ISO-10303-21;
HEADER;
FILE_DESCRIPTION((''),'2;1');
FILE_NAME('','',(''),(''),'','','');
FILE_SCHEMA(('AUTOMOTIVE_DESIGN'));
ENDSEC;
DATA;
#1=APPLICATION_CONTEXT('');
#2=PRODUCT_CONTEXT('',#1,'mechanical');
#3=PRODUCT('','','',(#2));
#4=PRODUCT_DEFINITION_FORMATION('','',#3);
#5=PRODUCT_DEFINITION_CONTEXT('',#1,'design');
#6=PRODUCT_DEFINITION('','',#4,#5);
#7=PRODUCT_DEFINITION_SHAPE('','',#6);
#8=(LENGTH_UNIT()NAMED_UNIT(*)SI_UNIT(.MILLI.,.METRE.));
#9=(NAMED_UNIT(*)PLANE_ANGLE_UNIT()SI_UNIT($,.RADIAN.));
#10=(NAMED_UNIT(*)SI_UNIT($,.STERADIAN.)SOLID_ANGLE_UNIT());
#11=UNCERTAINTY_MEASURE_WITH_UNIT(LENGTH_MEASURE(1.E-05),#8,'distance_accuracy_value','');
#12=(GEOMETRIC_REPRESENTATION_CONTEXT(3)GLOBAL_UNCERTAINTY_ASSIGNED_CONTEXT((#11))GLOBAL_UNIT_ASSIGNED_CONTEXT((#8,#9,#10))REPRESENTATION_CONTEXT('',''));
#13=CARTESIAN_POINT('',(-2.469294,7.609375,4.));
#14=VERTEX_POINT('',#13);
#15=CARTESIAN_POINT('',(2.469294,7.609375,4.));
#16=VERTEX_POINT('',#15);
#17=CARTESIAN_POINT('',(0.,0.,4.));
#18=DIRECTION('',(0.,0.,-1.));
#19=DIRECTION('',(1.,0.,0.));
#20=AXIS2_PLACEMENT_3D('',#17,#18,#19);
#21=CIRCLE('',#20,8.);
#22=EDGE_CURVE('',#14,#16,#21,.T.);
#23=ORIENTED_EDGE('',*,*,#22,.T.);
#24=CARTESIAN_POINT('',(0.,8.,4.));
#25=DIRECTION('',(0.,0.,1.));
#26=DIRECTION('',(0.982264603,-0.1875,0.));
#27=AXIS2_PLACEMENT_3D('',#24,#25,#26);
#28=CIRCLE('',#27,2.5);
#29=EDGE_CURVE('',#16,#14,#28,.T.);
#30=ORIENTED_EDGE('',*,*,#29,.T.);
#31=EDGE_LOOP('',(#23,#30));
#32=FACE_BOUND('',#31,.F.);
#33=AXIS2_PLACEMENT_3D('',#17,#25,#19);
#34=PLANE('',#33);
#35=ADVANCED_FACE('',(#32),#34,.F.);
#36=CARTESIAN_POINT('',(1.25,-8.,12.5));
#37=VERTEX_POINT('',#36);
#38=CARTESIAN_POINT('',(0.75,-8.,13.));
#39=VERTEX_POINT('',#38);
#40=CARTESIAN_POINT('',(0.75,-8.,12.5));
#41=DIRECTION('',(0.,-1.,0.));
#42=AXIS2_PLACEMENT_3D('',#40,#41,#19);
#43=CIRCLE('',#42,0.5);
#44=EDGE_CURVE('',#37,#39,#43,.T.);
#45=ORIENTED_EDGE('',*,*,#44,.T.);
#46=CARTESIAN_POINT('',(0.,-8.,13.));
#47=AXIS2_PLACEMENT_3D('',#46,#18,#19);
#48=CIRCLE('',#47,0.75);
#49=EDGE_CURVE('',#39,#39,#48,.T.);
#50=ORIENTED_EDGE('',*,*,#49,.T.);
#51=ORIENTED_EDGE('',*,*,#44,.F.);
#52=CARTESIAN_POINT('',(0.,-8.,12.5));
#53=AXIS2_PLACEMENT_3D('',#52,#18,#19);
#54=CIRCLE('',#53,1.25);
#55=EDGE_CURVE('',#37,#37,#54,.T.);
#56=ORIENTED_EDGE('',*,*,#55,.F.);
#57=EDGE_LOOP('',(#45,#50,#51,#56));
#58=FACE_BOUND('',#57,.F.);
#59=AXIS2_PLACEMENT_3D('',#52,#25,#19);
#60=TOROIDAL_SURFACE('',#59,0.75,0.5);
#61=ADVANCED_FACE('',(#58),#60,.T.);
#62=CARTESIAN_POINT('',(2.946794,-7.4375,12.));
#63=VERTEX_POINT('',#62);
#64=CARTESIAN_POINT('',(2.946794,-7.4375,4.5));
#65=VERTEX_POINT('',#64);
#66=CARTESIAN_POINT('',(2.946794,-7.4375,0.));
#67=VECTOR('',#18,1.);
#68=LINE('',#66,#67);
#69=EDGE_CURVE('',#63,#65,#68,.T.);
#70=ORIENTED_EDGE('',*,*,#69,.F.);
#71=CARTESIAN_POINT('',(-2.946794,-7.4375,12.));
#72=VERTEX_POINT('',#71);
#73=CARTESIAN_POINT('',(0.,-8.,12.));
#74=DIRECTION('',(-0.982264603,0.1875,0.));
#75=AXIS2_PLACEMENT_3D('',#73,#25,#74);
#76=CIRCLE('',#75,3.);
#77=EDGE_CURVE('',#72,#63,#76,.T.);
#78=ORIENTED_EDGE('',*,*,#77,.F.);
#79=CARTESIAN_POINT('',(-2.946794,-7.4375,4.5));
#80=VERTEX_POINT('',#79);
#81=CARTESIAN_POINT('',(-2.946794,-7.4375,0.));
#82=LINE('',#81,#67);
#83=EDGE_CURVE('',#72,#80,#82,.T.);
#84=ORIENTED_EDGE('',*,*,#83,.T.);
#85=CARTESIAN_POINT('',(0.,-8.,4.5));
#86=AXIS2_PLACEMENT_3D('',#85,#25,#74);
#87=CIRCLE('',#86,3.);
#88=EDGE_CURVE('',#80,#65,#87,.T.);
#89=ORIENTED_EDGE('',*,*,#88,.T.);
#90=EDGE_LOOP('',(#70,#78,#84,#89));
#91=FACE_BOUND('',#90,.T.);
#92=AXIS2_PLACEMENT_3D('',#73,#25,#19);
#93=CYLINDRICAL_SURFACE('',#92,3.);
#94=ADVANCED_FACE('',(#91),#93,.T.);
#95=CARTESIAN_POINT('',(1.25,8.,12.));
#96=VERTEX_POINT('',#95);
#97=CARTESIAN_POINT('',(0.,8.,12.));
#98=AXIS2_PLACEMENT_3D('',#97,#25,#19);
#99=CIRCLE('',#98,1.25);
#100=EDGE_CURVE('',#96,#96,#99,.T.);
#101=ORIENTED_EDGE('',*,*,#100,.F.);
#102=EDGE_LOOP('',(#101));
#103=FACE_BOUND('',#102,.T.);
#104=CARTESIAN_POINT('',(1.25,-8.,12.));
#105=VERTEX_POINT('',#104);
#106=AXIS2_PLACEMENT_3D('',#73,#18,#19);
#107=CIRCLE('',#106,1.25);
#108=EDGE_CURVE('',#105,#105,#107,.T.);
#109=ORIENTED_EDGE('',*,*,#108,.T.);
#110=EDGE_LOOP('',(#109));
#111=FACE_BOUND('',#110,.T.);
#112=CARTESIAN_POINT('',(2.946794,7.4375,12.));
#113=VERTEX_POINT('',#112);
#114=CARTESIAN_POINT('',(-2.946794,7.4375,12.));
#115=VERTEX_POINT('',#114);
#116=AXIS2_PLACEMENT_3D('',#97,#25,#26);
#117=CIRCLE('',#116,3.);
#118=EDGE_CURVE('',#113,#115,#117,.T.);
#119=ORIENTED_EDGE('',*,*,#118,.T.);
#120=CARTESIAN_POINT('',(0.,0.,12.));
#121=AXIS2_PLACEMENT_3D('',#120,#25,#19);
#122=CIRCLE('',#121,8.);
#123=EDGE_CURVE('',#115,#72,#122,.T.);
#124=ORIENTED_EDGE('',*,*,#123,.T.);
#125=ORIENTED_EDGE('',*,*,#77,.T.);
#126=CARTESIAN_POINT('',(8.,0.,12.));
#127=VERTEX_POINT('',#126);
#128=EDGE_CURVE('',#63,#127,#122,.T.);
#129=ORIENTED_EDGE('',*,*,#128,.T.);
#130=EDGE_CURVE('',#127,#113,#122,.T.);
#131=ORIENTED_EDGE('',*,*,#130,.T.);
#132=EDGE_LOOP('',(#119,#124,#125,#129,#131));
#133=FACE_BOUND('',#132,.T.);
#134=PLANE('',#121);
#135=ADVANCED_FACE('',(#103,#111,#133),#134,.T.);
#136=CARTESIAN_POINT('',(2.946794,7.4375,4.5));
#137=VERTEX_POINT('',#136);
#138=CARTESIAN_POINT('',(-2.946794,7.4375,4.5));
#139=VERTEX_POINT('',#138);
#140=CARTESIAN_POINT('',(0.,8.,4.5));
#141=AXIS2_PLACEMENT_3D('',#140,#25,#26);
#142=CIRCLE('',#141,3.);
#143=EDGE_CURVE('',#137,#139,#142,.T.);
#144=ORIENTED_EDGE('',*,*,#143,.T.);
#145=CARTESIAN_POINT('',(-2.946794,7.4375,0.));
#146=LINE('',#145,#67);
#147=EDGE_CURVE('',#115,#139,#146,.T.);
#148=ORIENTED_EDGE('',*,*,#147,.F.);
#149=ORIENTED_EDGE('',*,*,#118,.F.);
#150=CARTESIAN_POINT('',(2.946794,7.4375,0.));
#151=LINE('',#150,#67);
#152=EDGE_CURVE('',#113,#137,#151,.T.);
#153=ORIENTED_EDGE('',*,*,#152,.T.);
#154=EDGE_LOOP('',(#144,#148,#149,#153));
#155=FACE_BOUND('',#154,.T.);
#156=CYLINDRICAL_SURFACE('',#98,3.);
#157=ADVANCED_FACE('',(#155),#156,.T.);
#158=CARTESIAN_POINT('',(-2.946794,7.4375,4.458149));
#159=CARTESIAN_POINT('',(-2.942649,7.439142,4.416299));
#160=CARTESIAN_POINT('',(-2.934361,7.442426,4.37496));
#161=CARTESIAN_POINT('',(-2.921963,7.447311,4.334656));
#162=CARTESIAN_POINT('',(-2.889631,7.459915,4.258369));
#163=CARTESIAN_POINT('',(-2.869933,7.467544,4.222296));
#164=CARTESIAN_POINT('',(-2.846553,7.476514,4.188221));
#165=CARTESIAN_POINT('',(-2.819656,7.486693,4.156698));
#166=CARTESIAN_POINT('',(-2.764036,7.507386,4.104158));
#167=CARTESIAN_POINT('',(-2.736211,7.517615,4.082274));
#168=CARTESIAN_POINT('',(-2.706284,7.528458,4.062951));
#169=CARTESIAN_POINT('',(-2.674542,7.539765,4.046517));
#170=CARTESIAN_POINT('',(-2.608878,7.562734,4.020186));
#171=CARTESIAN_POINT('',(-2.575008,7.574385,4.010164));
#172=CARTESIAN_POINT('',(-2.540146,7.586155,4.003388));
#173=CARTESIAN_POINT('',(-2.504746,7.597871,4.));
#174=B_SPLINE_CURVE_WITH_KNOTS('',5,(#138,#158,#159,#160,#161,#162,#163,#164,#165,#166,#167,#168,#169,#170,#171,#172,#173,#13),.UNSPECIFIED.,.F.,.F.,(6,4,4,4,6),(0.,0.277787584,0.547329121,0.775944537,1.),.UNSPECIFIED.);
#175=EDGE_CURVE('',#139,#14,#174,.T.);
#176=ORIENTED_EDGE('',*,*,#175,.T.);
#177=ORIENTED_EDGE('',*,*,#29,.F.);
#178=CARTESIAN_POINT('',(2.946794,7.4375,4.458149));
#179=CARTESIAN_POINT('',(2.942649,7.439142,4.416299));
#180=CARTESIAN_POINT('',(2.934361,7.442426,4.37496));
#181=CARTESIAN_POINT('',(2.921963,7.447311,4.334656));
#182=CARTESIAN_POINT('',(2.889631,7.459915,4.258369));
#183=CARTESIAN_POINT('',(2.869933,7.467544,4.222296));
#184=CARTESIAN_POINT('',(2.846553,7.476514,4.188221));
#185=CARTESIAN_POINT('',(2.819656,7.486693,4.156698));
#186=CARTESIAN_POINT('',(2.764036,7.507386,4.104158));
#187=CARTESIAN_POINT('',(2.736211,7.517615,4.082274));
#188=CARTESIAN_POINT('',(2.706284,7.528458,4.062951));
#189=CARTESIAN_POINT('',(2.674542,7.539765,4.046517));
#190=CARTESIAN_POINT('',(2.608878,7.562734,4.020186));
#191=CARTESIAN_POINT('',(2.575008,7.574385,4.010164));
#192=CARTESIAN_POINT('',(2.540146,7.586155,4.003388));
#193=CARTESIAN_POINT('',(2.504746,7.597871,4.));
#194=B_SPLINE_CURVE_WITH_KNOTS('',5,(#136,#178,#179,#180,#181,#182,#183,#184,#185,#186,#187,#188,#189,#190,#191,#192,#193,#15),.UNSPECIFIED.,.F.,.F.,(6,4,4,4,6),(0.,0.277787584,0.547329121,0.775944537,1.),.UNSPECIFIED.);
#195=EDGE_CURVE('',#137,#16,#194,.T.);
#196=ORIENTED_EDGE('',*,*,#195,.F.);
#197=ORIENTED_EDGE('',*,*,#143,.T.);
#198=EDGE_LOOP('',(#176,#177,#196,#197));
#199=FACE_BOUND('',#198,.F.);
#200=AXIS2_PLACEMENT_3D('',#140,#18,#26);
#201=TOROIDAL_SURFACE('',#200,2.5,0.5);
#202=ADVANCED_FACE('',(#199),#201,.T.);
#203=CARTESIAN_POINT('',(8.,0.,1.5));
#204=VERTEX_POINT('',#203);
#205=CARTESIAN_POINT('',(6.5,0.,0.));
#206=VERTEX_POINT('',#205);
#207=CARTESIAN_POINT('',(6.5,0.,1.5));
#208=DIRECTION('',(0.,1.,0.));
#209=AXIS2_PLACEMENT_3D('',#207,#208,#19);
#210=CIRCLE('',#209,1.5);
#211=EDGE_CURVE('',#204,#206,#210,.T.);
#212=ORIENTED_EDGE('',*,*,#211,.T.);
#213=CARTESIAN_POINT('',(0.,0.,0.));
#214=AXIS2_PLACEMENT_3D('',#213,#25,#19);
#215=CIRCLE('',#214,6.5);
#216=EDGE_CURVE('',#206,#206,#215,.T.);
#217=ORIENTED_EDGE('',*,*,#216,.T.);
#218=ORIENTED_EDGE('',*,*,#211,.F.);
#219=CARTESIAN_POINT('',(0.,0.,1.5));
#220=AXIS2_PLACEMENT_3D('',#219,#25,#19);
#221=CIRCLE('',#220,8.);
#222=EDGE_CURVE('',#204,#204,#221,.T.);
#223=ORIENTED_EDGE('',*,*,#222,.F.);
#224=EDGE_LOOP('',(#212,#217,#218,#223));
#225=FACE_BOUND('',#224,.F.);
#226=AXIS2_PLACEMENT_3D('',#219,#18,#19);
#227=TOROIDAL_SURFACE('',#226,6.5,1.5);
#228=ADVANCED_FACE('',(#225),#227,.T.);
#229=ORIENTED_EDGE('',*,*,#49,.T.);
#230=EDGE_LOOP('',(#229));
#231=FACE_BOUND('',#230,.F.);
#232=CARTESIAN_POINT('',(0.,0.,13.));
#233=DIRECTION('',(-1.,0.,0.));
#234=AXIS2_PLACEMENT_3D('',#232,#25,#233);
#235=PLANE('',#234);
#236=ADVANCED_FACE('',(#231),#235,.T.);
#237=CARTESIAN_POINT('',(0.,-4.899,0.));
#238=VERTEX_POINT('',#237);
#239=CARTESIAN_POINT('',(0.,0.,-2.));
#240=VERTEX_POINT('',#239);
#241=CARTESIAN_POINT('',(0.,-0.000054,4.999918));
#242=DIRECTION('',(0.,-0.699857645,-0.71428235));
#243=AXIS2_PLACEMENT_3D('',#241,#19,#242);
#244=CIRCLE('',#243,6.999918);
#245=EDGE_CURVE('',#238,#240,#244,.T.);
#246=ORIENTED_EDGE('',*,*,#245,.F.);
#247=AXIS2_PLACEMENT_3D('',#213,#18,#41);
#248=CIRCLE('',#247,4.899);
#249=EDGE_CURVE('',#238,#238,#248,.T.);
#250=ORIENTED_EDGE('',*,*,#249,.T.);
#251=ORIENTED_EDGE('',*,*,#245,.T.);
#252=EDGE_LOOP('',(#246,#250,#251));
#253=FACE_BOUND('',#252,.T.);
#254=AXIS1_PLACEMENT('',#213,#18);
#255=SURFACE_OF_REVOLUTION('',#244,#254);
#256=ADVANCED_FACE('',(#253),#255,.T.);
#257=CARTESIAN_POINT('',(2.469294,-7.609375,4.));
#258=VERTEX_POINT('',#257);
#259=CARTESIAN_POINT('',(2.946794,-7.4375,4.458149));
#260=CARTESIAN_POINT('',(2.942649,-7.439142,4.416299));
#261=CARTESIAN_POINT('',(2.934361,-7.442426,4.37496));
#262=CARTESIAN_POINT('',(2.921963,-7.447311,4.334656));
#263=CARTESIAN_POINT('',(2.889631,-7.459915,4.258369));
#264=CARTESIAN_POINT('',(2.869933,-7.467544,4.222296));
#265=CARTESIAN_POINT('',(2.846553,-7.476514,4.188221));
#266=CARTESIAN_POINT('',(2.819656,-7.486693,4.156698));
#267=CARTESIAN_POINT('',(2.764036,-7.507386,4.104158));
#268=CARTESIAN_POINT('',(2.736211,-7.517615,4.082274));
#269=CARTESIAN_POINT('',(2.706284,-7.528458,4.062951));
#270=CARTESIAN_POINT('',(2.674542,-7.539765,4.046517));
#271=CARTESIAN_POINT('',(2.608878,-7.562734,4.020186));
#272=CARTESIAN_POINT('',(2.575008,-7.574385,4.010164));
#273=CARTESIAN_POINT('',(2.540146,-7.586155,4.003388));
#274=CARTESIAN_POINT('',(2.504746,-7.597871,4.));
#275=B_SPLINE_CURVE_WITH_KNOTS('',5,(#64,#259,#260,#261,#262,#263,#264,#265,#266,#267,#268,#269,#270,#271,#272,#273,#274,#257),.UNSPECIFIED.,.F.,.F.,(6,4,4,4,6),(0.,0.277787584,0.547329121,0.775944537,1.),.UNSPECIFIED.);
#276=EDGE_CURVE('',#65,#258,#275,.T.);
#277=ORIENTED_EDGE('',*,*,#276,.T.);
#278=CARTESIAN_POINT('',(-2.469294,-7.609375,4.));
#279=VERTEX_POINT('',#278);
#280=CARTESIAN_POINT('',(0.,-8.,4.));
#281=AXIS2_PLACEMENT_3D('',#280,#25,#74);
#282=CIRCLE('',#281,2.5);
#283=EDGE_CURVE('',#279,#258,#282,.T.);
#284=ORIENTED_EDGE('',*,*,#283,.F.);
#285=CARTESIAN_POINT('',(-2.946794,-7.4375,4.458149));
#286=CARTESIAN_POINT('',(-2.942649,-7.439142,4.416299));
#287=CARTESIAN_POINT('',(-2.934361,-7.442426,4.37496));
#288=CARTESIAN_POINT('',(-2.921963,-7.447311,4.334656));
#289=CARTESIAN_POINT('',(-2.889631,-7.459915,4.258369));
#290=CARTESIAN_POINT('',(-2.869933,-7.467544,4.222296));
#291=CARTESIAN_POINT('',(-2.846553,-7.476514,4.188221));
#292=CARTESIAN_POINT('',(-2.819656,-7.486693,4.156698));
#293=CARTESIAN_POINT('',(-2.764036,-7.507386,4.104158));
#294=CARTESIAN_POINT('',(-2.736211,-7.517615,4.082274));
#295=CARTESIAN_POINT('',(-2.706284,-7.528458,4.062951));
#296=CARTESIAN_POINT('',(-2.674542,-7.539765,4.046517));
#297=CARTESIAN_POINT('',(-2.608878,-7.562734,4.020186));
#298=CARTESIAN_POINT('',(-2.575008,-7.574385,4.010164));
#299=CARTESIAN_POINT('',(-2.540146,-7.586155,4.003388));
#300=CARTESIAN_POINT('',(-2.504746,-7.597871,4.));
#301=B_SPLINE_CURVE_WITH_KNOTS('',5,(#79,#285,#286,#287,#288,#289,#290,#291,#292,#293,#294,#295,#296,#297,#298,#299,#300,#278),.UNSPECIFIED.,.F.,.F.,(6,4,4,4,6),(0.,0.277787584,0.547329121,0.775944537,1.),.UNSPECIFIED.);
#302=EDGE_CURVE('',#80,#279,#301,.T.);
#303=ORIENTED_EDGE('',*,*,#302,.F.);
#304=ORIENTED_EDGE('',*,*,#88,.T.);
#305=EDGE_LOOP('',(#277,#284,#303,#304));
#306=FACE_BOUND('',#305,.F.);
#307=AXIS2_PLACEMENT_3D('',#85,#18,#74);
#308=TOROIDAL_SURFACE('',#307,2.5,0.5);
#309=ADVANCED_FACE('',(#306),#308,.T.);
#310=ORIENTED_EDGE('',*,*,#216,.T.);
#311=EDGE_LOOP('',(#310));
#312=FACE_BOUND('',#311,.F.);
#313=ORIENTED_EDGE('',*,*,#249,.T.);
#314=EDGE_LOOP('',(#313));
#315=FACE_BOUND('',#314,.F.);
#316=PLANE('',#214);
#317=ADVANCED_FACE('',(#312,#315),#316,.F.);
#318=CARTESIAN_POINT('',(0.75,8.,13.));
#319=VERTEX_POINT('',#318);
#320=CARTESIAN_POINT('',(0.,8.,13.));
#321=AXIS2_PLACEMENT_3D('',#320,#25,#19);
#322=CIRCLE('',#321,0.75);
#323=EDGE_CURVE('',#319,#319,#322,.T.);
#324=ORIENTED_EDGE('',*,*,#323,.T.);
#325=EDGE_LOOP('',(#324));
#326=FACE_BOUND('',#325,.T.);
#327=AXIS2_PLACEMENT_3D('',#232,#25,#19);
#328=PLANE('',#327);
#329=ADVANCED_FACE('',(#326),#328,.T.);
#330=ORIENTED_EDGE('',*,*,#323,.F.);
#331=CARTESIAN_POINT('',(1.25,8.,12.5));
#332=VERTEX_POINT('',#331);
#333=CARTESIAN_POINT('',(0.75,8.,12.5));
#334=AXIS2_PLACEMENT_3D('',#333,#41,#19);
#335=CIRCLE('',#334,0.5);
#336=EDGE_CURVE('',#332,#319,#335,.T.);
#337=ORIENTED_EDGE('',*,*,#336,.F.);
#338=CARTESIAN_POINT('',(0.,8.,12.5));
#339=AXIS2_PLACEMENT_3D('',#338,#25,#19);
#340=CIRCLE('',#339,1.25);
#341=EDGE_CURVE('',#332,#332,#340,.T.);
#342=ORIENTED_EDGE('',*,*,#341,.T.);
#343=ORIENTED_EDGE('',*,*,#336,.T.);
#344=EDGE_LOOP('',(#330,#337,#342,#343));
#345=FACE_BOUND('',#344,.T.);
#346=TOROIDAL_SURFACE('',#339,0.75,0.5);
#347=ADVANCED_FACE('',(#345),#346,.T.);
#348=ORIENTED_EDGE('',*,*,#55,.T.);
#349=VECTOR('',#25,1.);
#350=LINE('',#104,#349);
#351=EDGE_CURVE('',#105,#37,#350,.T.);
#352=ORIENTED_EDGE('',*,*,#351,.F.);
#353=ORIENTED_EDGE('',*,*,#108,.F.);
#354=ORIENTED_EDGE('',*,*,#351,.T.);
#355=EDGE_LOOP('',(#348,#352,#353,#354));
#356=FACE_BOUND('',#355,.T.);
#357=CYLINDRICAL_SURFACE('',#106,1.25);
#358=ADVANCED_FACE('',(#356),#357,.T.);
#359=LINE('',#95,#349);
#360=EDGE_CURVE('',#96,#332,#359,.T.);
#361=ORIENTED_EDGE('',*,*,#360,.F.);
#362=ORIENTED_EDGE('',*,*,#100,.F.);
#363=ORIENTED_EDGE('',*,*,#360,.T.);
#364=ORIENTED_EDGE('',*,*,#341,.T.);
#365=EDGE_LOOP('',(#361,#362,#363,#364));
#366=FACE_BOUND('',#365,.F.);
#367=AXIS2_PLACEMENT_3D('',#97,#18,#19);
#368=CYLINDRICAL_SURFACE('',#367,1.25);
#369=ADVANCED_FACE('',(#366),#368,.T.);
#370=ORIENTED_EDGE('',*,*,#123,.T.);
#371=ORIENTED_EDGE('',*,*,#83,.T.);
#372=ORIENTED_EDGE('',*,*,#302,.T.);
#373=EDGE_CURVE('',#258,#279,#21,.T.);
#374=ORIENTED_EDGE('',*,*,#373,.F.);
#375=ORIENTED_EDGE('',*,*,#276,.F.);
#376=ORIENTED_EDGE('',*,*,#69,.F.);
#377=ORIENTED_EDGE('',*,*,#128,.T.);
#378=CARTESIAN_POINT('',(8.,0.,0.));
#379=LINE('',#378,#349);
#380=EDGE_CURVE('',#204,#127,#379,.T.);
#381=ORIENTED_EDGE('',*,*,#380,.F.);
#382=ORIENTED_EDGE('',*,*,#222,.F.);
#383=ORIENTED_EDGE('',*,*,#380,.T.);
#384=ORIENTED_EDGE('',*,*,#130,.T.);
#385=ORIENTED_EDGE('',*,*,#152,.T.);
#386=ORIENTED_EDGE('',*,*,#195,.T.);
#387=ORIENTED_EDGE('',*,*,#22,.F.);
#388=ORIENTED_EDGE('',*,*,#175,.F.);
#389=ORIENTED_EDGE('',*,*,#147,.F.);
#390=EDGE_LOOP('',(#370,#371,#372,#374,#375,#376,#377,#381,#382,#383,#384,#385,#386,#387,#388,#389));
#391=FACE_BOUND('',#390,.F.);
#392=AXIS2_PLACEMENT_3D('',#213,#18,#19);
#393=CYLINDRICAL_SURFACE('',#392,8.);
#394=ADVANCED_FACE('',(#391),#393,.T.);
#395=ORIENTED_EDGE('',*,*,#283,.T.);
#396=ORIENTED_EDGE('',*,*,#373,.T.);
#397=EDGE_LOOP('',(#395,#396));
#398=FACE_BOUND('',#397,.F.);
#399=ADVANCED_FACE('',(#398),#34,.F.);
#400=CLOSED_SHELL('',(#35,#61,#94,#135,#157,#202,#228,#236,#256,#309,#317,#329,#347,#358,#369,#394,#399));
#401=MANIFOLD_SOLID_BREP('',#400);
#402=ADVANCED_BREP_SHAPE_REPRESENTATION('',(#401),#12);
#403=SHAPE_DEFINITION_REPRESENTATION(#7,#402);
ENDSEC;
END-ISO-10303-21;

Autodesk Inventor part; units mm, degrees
ref_plane "YZ Plane" through (0, 0, 0) normal (1, 0, 0) x (0, 1, 0)
ref_plane "XZ Plane" through (0, 0, 0) normal (0, 1, 0) x (-1, 0, 0)
ref_plane "XY Plane" through (0, 0, 0) normal (0, 0, 1) x (1, 0, 0)
sketch "Sketch1" plane through (0, 0, 0) normal (0, 0, 1) x (1, 0, 0)
  circle A0 centre (0, 0) radius 8
  dimension "d0" = 16
extrude "Extrusion1" add sketch "Sketch1" along normal blind 12
sketch "Sketch2" plane through (0, 0, 12) normal (0, 0, 1) x (1, 0, 0)
  circle A0 centre (0, 0) radius 8 projected
  circle A1 centre (0, -8) radius 3
  circle A2 centre (0, 8) radius 3
  dimension "d3" = 6
  dimension "d4" = 6
extrude "Extrusion2" add sketch "Sketch2" against normal blind 8 contours A2 A0 | A0 A2 | A1 A0 | A0 A1
sketch "Sketch4" plane through (0, 0, 0) normal (1, 0, 0) x (0, 1, 0)
  line L0 (0, 0) -> (0, -2)
  arc A0 (-4.899, 0) -> (0, -2) centre (0, 5) ccw
  line L1 (0, 0) -> (-4.899, 0)
  point P0 (-7, 0)
  dimension "d10" = 2
revolve "Revolution1" add sketch "Sketch4" angle 360 about axis through (0, 0, 0) along (0, 0, -1)
fillet "Fillet2" radius 0.5 2 edges at (0, 11, 4) (0, -11, 4)
fillet "Fillet3" radius 1.5 1 edges at (-8, 0, 0)
sketch "Sketch6" plane through (0, 0, 12) normal (0, 0, 1) x (1, 0, 0)
  arc A0 (2.9468, 7.4375) -> (-2.9468, 7.4375) centre (0, 8) ccw projected
  circle A1 centre (0, 8) radius 1.25
  point P0 (0, 0)
  dimension "d16" = 2.5
extrude "Extrusion3" add sketch "Sketch6" along normal blind 1
fillet "Fillet4" radius 0.5 1 edges at (-1.25, 8, 13)
mirror "Mirror1" about plane through (0, 0, 0) normal (0, 1, 0) of "Extrusion3", "Fillet4"
properties part number "wheel3"
